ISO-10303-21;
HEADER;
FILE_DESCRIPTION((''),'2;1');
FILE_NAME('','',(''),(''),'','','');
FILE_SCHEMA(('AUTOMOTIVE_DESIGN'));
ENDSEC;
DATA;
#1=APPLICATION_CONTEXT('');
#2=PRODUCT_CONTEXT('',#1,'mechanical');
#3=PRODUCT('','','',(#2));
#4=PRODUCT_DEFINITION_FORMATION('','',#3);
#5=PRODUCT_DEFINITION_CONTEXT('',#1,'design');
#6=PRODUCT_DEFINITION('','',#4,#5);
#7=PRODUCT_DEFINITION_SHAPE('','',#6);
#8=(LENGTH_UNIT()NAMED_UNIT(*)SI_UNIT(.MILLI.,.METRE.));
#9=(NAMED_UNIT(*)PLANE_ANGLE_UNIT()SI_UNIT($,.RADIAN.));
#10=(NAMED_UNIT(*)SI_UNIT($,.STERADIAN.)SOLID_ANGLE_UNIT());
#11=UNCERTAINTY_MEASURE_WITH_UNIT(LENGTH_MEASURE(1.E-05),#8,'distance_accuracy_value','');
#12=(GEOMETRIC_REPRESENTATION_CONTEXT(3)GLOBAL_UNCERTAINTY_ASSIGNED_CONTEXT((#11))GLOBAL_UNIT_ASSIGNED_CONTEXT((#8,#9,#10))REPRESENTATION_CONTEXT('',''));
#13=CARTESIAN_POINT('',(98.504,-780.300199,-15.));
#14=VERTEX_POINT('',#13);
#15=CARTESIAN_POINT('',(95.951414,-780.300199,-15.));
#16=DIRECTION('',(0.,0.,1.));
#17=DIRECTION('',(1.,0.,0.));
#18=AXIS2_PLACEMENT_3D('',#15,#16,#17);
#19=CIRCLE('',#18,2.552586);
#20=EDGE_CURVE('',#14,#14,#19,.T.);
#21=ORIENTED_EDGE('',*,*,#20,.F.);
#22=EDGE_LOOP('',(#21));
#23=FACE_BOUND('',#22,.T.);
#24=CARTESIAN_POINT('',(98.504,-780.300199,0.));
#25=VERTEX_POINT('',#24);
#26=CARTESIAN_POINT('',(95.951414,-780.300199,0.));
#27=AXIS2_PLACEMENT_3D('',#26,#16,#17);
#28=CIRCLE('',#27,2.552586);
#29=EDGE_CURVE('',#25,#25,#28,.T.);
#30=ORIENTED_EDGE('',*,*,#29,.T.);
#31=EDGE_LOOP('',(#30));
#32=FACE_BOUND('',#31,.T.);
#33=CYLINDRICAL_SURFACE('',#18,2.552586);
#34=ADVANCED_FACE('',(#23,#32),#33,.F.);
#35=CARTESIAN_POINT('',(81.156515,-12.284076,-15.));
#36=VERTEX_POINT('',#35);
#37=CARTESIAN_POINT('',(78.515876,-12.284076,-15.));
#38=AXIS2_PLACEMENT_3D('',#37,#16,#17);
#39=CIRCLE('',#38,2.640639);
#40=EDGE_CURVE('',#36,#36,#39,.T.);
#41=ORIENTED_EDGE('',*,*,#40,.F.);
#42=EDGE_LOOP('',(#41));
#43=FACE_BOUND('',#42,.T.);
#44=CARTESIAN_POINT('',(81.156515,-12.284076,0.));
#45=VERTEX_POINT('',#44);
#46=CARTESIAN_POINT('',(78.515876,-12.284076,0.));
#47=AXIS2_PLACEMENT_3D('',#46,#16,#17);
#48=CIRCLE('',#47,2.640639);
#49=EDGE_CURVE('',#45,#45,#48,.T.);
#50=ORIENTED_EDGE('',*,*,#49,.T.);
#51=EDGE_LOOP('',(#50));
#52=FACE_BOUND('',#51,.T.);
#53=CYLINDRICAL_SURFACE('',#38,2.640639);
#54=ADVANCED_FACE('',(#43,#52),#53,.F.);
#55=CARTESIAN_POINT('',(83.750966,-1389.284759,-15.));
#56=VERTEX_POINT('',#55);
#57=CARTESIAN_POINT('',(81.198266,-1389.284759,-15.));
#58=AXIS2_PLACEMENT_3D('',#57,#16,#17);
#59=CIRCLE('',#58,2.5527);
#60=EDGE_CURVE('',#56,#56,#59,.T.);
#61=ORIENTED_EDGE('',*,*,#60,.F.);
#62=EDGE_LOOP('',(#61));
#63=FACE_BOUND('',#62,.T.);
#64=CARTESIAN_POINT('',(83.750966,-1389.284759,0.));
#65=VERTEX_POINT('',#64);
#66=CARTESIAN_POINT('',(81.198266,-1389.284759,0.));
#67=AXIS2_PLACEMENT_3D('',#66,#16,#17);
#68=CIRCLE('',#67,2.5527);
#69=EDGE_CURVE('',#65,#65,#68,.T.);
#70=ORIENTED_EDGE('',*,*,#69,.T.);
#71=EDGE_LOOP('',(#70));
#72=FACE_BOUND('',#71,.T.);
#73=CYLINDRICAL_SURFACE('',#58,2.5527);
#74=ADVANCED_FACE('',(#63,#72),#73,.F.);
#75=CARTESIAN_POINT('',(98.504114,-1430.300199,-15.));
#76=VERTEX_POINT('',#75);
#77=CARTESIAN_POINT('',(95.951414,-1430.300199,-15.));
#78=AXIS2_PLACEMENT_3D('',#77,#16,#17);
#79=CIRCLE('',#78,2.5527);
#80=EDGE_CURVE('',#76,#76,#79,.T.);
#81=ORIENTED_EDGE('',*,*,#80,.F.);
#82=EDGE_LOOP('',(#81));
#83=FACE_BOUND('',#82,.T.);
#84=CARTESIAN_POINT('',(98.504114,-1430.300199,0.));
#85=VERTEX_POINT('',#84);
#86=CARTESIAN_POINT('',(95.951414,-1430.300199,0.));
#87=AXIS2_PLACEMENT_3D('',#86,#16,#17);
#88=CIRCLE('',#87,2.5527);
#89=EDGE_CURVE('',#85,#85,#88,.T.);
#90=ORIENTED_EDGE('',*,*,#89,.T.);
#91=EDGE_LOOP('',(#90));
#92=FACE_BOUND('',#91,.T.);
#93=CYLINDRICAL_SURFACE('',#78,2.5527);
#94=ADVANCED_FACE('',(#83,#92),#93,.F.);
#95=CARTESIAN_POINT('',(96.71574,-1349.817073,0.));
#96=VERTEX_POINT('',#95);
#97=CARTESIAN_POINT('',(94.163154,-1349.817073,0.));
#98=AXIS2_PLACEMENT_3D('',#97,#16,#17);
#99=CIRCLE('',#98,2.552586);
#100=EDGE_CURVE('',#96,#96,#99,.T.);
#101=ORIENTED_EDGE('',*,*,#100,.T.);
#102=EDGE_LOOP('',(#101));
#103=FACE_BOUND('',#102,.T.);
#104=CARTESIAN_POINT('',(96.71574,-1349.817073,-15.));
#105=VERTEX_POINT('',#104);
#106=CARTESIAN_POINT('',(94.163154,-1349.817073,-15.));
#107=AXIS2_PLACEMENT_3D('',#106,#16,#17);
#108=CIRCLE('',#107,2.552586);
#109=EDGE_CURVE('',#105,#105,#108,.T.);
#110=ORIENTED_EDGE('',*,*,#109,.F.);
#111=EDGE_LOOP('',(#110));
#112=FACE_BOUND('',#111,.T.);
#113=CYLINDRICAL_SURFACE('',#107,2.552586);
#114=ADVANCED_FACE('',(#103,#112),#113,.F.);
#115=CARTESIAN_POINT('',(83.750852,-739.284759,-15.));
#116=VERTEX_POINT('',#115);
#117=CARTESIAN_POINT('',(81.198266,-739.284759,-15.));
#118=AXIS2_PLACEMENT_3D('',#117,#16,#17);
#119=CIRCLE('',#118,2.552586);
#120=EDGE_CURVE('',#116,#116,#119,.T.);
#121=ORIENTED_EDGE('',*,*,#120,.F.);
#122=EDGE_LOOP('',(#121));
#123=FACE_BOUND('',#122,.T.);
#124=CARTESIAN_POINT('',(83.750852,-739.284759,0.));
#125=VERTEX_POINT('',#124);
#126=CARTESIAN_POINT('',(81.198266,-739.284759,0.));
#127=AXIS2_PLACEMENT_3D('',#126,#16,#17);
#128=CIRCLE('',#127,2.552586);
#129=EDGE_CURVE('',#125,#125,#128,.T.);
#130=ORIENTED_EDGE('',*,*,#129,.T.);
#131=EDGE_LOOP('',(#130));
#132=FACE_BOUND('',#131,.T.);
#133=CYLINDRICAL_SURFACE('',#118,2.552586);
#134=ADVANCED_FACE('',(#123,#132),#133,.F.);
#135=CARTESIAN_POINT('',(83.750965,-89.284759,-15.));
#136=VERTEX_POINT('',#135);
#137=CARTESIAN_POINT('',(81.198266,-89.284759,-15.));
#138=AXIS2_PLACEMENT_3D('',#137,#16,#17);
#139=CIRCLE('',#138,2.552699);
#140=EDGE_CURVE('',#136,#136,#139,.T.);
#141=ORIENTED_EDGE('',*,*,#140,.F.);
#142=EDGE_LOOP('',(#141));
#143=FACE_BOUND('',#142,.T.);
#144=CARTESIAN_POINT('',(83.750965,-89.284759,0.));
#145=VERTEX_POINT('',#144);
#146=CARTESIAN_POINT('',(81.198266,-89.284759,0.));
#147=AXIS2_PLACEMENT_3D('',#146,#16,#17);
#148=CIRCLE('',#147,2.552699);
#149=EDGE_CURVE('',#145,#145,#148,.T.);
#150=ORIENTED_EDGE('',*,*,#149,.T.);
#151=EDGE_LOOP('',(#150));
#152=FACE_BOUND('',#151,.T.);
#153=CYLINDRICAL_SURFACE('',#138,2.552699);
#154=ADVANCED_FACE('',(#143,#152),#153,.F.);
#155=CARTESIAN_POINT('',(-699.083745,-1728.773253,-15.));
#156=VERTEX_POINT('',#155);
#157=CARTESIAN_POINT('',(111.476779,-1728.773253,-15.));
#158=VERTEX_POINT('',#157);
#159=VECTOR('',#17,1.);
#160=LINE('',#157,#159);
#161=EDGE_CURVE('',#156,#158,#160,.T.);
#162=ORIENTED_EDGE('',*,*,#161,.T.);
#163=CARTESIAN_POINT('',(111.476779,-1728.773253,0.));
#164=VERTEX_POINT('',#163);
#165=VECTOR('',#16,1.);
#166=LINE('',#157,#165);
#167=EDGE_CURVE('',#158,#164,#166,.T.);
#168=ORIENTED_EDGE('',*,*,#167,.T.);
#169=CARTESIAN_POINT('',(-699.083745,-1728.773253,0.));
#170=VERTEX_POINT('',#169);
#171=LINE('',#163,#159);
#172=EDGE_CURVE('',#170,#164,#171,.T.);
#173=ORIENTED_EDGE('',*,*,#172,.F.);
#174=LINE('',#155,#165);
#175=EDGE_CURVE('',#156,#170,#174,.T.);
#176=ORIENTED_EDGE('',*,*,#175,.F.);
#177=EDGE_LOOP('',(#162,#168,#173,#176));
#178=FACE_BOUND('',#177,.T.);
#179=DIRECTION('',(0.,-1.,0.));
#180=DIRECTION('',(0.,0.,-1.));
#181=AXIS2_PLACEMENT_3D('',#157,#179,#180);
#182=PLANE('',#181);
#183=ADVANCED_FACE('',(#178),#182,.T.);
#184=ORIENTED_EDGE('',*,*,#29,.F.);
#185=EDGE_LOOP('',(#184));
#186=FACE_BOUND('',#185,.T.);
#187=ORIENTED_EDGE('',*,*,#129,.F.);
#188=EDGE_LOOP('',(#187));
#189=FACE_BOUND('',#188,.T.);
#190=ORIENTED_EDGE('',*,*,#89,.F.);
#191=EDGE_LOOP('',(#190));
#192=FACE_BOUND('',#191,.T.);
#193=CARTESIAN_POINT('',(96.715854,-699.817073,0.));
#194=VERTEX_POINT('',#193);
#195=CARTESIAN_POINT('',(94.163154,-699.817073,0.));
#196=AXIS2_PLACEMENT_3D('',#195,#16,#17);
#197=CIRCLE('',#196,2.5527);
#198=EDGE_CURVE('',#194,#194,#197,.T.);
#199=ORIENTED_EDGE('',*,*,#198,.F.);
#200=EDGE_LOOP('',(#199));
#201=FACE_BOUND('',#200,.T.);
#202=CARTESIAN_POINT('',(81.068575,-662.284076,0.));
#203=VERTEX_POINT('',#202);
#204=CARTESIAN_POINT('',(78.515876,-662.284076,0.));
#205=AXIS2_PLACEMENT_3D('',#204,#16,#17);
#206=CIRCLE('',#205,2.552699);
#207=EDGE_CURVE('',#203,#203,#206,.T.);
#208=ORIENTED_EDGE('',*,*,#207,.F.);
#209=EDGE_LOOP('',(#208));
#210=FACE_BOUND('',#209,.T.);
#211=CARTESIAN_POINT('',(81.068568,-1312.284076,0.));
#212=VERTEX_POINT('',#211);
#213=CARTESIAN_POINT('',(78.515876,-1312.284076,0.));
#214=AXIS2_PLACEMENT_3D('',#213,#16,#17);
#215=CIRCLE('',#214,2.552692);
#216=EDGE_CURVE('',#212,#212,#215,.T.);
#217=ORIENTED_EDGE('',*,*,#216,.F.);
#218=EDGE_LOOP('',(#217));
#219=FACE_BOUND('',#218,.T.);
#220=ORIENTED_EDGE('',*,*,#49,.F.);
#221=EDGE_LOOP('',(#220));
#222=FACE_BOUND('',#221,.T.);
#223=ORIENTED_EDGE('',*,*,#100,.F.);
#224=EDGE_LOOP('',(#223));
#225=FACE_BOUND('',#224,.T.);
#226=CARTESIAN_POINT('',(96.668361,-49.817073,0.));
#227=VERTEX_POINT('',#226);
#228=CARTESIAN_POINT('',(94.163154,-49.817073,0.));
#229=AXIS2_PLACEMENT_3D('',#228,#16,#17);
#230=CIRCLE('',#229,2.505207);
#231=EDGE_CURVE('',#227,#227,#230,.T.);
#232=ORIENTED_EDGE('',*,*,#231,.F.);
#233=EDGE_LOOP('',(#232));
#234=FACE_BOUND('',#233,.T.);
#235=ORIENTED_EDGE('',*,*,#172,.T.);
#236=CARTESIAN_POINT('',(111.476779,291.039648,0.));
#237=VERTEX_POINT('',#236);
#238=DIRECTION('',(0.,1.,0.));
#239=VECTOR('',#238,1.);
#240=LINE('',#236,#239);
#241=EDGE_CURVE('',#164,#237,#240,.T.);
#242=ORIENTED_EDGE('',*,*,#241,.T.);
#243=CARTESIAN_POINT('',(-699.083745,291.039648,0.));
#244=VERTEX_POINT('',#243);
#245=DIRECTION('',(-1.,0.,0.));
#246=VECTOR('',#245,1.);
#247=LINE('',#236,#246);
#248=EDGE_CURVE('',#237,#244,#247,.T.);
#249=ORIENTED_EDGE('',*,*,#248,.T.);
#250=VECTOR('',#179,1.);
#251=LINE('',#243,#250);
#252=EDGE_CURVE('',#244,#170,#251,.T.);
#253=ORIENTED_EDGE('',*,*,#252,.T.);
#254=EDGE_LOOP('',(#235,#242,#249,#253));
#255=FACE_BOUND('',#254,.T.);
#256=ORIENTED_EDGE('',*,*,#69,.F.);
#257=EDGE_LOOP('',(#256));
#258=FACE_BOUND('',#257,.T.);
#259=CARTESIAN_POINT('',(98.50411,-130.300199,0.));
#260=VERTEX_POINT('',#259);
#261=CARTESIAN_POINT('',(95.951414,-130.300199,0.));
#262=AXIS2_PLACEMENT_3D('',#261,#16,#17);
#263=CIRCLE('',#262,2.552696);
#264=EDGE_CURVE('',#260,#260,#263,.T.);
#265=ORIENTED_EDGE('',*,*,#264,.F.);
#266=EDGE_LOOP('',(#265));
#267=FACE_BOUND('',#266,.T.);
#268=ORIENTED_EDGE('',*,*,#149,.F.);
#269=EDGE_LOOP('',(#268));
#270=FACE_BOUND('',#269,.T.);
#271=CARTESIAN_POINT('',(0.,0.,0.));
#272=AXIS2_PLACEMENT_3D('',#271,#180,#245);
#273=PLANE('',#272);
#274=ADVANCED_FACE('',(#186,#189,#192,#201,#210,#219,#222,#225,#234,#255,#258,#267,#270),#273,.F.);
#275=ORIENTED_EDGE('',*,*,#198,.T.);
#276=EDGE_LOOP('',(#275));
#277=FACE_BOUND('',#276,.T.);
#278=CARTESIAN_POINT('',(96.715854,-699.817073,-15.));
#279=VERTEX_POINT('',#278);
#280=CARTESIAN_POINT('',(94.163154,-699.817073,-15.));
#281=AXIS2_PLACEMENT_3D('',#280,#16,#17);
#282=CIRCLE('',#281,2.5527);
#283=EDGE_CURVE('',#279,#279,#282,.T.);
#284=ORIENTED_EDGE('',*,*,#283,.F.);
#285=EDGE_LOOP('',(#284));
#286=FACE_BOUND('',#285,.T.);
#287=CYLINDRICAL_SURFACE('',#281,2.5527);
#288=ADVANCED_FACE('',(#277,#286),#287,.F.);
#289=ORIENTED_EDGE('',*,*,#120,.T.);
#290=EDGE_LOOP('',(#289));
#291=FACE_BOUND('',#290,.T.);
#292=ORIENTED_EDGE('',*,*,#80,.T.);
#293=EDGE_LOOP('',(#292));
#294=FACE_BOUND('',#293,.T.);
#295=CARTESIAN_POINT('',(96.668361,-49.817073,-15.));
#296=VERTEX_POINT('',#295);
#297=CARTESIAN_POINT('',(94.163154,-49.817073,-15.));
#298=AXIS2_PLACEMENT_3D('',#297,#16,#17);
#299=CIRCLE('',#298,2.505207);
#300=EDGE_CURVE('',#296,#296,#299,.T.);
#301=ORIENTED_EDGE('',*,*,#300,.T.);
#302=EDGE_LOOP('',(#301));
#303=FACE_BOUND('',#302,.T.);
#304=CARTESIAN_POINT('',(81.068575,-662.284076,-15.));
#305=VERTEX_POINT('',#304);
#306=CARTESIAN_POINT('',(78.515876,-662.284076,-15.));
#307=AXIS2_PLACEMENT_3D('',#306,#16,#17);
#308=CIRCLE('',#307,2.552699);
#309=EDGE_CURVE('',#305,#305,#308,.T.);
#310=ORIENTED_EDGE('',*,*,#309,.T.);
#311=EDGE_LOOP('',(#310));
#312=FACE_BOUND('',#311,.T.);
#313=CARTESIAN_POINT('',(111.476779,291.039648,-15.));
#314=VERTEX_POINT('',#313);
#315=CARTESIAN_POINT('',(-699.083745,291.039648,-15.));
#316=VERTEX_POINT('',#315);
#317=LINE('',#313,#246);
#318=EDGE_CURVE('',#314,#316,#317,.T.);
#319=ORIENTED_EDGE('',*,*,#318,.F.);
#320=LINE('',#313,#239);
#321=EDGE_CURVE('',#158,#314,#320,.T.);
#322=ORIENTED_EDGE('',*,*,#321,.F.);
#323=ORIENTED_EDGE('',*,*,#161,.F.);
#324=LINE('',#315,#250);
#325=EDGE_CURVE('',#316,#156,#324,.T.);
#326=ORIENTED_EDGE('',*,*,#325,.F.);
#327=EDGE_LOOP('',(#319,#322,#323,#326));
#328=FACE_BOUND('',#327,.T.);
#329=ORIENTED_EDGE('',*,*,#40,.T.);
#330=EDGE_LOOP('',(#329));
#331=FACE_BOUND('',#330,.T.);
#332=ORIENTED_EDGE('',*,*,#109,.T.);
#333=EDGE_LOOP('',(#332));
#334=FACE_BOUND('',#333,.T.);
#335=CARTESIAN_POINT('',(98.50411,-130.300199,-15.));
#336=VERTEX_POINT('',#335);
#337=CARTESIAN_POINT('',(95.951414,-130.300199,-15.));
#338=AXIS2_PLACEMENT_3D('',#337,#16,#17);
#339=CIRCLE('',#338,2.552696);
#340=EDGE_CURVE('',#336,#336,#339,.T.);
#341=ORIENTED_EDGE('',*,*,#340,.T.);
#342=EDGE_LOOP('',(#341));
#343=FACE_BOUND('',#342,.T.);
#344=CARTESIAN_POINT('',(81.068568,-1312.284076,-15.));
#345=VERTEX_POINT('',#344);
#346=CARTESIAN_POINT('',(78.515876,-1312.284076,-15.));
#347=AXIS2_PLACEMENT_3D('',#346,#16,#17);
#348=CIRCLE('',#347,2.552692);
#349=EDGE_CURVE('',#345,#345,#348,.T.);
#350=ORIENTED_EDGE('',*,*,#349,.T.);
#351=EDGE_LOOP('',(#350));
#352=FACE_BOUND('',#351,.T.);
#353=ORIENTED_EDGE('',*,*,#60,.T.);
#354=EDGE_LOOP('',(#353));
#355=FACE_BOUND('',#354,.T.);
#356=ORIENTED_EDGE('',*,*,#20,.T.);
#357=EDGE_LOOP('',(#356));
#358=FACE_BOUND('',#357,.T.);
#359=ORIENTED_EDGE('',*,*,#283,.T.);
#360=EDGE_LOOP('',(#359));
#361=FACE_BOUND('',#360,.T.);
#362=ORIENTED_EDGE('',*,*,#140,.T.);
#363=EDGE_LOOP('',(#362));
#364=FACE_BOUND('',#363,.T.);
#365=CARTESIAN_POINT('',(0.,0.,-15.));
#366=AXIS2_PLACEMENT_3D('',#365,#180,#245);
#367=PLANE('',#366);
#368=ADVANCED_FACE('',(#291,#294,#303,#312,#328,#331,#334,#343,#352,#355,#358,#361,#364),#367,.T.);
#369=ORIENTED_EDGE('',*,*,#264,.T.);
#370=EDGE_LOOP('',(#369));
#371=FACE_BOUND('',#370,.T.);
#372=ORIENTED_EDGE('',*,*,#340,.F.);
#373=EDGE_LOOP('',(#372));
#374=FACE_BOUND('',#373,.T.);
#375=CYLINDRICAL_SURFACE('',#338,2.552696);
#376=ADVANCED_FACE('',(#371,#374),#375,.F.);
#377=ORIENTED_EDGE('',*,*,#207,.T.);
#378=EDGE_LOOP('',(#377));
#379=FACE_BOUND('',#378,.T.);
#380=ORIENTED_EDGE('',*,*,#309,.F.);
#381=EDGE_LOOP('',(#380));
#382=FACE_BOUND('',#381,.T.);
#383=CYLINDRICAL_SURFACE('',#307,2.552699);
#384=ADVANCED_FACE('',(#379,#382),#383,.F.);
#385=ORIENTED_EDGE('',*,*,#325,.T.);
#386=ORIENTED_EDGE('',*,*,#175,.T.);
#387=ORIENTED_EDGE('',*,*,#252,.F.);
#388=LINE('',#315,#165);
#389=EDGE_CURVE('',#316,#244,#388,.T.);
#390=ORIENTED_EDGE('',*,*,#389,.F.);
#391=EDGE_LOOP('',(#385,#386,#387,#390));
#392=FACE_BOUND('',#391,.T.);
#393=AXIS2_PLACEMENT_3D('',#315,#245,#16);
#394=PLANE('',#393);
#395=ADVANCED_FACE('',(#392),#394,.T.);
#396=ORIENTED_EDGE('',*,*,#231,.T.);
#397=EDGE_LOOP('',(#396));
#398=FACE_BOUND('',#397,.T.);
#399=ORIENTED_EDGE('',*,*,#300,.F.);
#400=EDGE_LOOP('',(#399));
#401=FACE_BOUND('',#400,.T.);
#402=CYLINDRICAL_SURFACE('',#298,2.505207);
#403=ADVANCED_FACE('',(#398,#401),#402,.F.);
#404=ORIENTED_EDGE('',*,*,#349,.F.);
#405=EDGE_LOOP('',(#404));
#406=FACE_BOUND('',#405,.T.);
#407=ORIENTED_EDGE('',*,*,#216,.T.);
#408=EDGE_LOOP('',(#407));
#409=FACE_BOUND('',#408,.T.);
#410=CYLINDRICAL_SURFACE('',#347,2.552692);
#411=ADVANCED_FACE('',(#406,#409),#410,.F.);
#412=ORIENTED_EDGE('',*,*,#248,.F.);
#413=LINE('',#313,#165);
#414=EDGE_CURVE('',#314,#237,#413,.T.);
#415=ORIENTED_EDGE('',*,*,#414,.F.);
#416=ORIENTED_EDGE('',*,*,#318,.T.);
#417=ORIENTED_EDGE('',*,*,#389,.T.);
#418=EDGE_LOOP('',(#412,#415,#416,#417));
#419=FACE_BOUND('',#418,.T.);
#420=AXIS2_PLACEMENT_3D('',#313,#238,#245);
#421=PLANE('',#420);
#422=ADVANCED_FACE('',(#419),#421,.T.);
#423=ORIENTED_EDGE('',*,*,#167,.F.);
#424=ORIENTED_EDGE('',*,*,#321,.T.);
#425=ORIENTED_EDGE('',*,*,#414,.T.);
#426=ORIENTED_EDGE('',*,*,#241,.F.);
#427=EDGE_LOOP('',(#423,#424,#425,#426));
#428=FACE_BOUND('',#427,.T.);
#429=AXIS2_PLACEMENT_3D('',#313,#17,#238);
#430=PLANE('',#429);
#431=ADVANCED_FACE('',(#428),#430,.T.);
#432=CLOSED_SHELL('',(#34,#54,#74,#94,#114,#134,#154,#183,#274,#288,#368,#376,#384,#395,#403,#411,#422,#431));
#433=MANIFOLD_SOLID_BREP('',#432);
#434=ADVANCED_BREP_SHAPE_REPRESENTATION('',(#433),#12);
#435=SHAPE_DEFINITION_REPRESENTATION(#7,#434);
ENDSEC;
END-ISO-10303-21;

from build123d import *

# Parameters (mm, degrees)
SKETCH1_W           = 810.560523627
SKETCH1_H           = 2019.812900606
BOSS_EXTRUDE1_DEPTH = 15
SKETCH2_R           = 2.64063864
SKETCH2_R_2         = 2.505206938
SKETCH2_R_3         = 2.552698952
SKETCH2_R_4         = 2.552695735
SKETCH2_R_5         = 2.552698993
SKETCH2_R_6         = 2.5527
SKETCH2_R_7         = 2.552586069
SKETCH2_R_8         = 2.552691913
CUT_EXTRUDE1_DEPTH  = 1865.83244333


with BuildPart() as part:
    # Sketch1 → Boss-Extrude1 (new body)
    with BuildSketch(Plane.XY):
        with Locations((-293.803483123, -718.8668024)):
            Rectangle(SKETCH1_W, SKETCH1_H)
    extrude(amount=-BOSS_EXTRUDE1_DEPTH)

    # Sketch2 → Cut-Extrude1 (cut, through all)
    with BuildSketch(Plane.XY):
        with Locations((78.515875942, -12.284076492)):
            Circle(SKETCH2_R)
        with Locations((94.163153701, -49.817072708)):
            Circle(SKETCH2_R_2)
        with Locations((81.198266415, -89.284759451)):
            Circle(SKETCH2_R_3)
        with Locations((95.951414016, -130.300198616)):
            Circle(SKETCH2_R_4)
        with Locations((78.515875942, -662.284076492)):
            Circle(SKETCH2_R_5)
        with Locations((94.163153701, -699.817072708)):
            Circle(SKETCH2_R_6)
        with Locations((81.198266415, -739.284759451)):
            Circle(SKETCH2_R_7)
        with Locations((95.951414016, -780.300198616)):
            Circle(SKETCH2_R_7)
        with Locations((78.515875942, -1312.284076492)):
            Circle(SKETCH2_R_8)
        with Locations((94.163153701, -1349.817072708)):
            Circle(SKETCH2_R_7)
        with Locations((81.198266415, -1389.284759451)):
            Circle(SKETCH2_R_6)
        with Locations((95.951414016, -1430.300198616)):
            Circle(SKETCH2_R_6)
    extrude(amount=-CUT_EXTRUDE1_DEPTH, mode=Mode.SUBTRACT)


solid = part.part
